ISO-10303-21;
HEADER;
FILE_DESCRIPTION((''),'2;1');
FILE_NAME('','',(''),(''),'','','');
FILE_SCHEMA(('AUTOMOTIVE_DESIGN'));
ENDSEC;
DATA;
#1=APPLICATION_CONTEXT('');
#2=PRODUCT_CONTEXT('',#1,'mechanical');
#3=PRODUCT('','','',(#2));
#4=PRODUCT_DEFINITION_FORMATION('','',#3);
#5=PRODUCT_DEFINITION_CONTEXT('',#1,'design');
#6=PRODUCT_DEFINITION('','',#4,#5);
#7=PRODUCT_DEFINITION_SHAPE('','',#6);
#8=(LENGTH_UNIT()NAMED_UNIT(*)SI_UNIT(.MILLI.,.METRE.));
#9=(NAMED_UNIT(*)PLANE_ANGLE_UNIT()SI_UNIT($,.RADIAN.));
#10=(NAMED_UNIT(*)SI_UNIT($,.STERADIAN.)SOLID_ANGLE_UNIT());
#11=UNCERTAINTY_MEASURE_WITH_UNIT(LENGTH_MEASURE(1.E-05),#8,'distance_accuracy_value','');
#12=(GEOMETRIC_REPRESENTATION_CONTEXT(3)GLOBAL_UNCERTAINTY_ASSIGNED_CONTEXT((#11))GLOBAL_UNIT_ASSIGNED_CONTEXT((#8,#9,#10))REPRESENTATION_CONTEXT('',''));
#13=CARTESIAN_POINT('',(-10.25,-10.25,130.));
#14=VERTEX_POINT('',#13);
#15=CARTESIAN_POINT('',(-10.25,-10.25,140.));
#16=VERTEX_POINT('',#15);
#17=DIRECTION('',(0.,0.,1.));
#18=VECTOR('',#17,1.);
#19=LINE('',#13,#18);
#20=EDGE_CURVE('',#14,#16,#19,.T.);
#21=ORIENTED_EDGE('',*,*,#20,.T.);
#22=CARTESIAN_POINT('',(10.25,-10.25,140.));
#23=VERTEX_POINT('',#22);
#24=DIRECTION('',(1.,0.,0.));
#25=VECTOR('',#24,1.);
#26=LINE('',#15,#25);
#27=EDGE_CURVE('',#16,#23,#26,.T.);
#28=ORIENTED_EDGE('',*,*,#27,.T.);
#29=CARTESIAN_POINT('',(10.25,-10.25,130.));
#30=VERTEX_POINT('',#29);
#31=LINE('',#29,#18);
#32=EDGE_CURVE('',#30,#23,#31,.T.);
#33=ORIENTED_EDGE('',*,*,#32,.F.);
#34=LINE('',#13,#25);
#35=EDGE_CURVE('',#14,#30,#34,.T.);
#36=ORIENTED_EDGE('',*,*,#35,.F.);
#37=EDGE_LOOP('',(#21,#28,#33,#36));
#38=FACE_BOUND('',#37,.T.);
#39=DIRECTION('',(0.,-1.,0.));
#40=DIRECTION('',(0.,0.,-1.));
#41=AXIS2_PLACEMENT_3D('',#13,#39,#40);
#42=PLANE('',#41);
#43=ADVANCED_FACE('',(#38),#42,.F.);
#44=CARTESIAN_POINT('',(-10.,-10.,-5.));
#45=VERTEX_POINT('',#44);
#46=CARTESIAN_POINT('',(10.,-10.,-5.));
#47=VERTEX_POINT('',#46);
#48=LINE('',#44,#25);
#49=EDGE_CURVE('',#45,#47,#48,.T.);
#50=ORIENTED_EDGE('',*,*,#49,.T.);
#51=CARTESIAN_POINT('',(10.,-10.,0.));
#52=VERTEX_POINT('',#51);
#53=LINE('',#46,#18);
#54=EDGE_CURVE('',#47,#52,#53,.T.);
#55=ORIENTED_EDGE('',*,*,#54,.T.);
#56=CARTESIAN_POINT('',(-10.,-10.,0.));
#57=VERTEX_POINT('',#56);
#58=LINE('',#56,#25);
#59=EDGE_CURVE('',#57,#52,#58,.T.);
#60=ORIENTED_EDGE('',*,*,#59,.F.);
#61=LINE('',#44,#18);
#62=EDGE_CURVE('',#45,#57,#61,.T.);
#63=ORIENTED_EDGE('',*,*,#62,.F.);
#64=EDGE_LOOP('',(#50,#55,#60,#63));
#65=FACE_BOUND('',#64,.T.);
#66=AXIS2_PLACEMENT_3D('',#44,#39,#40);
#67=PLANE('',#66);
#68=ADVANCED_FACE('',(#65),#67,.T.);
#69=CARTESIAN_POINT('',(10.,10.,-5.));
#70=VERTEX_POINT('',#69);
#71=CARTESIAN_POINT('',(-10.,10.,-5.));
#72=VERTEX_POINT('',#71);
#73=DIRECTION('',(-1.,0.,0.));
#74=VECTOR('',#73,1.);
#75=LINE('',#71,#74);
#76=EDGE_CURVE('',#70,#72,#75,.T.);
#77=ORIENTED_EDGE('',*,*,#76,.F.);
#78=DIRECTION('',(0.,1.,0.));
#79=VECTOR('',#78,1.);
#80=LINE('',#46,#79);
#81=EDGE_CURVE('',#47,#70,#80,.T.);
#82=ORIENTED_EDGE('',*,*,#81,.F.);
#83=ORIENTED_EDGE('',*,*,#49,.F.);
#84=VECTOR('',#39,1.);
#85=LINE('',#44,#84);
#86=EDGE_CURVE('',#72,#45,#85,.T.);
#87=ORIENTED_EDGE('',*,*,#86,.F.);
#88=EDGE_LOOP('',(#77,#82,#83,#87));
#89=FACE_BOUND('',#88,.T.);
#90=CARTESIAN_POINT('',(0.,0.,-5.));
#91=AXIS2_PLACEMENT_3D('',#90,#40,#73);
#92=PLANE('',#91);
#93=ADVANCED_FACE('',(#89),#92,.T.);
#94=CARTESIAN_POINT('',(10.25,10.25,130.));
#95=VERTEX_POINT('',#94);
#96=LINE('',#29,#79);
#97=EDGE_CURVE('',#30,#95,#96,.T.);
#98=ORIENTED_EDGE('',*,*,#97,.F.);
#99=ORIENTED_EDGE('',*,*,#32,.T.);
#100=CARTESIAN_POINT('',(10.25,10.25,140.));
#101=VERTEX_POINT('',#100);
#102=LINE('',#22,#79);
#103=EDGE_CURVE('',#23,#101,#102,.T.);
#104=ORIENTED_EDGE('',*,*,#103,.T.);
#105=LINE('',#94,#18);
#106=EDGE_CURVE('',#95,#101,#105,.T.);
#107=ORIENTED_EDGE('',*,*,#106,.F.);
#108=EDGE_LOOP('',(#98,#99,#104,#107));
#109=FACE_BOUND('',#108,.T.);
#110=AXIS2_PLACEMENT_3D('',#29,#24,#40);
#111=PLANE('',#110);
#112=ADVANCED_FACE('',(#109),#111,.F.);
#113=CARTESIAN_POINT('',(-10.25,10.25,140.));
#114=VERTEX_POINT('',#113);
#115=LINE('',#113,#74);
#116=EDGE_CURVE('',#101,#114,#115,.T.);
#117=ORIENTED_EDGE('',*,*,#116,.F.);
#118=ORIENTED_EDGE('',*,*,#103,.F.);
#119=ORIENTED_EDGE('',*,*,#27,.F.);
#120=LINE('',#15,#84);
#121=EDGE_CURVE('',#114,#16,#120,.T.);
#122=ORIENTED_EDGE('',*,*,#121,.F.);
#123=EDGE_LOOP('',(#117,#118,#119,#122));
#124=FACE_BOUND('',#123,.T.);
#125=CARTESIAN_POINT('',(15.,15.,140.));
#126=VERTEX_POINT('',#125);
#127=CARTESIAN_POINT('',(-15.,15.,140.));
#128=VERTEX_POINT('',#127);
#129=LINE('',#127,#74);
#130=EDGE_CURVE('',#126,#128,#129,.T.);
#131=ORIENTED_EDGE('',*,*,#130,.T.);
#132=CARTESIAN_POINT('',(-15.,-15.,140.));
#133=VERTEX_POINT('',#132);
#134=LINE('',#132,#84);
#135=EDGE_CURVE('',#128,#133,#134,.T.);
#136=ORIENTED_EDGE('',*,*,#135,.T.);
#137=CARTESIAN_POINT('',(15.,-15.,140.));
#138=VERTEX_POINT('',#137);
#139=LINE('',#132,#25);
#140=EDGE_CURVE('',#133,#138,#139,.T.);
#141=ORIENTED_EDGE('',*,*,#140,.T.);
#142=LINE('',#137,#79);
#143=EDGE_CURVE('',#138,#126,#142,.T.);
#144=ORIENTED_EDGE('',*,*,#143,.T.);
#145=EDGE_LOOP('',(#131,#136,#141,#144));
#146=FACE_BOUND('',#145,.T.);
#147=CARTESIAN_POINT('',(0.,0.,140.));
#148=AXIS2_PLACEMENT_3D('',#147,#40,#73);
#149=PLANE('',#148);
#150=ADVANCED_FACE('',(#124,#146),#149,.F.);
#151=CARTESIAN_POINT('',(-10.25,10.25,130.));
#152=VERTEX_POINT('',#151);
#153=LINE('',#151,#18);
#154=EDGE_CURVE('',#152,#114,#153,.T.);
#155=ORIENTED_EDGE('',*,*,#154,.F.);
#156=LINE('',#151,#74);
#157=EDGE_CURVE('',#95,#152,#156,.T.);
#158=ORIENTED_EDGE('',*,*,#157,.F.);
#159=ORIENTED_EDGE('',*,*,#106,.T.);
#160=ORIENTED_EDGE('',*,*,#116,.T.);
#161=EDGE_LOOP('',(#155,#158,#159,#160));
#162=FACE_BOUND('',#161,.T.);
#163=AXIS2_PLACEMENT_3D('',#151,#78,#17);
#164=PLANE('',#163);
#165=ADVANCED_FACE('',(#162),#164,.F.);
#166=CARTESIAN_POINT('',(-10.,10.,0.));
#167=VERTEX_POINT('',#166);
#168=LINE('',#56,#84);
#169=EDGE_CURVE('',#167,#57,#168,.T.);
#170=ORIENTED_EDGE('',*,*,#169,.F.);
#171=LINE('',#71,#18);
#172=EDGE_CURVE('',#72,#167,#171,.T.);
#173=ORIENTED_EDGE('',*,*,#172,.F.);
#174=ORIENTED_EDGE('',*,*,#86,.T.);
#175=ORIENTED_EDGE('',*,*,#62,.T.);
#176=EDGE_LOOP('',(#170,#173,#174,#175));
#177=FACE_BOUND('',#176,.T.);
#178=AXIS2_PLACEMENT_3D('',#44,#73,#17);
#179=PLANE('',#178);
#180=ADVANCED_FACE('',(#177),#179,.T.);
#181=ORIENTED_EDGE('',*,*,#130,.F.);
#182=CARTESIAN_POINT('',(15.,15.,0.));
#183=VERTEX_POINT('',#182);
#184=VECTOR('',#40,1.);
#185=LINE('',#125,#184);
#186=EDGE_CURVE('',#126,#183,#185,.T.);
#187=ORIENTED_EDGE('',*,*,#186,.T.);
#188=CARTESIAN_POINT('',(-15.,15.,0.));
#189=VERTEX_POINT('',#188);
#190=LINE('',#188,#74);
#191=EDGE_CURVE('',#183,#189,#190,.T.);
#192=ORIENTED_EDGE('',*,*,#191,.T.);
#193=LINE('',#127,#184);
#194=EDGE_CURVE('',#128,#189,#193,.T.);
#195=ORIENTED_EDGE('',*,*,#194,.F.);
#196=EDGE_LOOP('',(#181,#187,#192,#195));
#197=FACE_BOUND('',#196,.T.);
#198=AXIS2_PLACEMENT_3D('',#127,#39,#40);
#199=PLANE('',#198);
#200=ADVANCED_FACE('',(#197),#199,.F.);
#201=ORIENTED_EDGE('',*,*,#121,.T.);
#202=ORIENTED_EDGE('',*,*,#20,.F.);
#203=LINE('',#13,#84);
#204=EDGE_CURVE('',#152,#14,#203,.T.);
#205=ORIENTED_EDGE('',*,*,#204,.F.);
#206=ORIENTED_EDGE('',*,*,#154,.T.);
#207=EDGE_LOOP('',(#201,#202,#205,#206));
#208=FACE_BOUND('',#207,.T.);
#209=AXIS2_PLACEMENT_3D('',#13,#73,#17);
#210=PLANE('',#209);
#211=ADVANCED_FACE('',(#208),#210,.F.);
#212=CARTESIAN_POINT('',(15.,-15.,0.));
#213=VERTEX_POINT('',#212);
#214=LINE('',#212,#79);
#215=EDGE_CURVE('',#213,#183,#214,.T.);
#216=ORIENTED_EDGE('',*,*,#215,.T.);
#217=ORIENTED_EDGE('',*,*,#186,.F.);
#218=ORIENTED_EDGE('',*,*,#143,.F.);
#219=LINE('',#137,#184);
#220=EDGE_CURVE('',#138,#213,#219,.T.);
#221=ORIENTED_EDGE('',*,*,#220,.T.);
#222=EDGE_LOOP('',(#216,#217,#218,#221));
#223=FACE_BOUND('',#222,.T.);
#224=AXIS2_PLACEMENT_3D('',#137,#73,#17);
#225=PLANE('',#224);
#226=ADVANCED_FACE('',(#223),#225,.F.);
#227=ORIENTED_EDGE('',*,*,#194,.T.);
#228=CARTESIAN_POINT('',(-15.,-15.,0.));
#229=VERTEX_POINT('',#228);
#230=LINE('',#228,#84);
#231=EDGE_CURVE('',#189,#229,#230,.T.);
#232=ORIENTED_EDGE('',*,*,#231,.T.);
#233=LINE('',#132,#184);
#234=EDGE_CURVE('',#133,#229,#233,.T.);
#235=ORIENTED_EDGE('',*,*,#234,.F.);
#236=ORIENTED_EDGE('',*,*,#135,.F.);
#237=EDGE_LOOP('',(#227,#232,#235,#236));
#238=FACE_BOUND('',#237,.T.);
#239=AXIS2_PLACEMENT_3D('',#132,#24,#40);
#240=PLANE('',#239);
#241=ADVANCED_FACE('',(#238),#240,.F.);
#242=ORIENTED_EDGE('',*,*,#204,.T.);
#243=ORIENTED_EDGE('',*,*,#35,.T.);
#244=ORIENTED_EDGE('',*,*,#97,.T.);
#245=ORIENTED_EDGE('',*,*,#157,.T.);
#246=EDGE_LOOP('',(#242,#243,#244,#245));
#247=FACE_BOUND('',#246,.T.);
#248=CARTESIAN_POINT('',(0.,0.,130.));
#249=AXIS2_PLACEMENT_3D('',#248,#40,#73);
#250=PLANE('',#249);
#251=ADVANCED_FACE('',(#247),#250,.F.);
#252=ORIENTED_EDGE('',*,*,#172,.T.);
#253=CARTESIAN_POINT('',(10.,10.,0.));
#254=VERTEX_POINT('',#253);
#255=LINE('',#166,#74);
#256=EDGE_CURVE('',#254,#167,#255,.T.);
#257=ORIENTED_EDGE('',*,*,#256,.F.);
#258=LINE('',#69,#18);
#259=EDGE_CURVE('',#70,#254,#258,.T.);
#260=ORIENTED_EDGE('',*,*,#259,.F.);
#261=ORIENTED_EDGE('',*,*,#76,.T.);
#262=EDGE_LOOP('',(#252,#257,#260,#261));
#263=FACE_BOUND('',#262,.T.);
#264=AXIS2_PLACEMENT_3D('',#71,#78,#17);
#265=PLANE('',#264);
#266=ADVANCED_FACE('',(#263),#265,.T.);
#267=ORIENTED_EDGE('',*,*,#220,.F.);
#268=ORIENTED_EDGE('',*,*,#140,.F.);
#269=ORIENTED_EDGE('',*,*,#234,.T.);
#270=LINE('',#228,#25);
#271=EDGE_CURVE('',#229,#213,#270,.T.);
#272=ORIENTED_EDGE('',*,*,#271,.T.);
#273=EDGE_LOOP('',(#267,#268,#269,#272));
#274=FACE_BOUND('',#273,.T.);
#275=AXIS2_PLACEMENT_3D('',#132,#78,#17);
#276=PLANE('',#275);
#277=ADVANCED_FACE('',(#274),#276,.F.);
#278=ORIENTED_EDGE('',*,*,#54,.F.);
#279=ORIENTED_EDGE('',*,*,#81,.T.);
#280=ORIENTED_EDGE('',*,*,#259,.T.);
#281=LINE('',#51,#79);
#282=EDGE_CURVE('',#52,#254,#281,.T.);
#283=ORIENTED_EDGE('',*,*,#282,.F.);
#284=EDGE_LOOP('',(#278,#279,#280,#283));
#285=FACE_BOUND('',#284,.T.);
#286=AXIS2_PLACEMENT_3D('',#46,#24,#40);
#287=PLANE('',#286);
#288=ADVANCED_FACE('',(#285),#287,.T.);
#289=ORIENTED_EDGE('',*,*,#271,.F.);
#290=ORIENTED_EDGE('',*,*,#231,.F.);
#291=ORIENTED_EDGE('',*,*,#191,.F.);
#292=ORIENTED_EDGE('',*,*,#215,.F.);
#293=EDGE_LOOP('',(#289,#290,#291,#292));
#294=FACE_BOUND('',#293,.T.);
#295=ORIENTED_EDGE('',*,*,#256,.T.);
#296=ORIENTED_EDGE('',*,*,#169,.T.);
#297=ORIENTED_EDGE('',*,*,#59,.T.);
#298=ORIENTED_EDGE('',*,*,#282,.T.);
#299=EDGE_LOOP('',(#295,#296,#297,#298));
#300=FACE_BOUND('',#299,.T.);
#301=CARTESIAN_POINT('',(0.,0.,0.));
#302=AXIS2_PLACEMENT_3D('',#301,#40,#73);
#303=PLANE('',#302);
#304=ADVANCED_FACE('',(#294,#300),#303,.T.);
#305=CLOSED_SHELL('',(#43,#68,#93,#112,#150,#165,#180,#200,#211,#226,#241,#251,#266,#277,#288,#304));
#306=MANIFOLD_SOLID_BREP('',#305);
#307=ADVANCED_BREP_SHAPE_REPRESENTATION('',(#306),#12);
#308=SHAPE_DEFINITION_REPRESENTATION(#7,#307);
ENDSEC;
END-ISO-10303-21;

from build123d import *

# Parameters (mm, degrees)
SKETCH1_W           = 30
SKETCH1_H           = 30
BOSS_EXTRUDE1_DEPTH = 140
SKETCH2_W           = 20
SKETCH2_H           = 20
BOSS_EXTRUDE2_DEPTH = 5
SKETCH3_W           = 20.5
SKETCH3_H           = 20.5
CUT_EXTRUDE1_DEPTH  = 10


with BuildPart() as part:
    # Sketch1 → Boss-Extrude1 (new body)
    with BuildSketch(Plane.XY):
        Rectangle(SKETCH1_W, SKETCH1_H)
    extrude(amount=BOSS_EXTRUDE1_DEPTH)

    # Sketch2 → Boss-Extrude2 (add)
    with BuildSketch(Plane.XY):
        Rectangle(SKETCH2_W, SKETCH2_H)
    extrude(amount=-BOSS_EXTRUDE2_DEPTH)

    # Sketch3 → Cut-Extrude1 (cut)
    with BuildSketch(Plane.XY.offset(140)):
        Rectangle(SKETCH3_W, SKETCH3_H)
    extrude(amount=-CUT_EXTRUDE1_DEPTH, mode=Mode.SUBTRACT)


solid = part.part
